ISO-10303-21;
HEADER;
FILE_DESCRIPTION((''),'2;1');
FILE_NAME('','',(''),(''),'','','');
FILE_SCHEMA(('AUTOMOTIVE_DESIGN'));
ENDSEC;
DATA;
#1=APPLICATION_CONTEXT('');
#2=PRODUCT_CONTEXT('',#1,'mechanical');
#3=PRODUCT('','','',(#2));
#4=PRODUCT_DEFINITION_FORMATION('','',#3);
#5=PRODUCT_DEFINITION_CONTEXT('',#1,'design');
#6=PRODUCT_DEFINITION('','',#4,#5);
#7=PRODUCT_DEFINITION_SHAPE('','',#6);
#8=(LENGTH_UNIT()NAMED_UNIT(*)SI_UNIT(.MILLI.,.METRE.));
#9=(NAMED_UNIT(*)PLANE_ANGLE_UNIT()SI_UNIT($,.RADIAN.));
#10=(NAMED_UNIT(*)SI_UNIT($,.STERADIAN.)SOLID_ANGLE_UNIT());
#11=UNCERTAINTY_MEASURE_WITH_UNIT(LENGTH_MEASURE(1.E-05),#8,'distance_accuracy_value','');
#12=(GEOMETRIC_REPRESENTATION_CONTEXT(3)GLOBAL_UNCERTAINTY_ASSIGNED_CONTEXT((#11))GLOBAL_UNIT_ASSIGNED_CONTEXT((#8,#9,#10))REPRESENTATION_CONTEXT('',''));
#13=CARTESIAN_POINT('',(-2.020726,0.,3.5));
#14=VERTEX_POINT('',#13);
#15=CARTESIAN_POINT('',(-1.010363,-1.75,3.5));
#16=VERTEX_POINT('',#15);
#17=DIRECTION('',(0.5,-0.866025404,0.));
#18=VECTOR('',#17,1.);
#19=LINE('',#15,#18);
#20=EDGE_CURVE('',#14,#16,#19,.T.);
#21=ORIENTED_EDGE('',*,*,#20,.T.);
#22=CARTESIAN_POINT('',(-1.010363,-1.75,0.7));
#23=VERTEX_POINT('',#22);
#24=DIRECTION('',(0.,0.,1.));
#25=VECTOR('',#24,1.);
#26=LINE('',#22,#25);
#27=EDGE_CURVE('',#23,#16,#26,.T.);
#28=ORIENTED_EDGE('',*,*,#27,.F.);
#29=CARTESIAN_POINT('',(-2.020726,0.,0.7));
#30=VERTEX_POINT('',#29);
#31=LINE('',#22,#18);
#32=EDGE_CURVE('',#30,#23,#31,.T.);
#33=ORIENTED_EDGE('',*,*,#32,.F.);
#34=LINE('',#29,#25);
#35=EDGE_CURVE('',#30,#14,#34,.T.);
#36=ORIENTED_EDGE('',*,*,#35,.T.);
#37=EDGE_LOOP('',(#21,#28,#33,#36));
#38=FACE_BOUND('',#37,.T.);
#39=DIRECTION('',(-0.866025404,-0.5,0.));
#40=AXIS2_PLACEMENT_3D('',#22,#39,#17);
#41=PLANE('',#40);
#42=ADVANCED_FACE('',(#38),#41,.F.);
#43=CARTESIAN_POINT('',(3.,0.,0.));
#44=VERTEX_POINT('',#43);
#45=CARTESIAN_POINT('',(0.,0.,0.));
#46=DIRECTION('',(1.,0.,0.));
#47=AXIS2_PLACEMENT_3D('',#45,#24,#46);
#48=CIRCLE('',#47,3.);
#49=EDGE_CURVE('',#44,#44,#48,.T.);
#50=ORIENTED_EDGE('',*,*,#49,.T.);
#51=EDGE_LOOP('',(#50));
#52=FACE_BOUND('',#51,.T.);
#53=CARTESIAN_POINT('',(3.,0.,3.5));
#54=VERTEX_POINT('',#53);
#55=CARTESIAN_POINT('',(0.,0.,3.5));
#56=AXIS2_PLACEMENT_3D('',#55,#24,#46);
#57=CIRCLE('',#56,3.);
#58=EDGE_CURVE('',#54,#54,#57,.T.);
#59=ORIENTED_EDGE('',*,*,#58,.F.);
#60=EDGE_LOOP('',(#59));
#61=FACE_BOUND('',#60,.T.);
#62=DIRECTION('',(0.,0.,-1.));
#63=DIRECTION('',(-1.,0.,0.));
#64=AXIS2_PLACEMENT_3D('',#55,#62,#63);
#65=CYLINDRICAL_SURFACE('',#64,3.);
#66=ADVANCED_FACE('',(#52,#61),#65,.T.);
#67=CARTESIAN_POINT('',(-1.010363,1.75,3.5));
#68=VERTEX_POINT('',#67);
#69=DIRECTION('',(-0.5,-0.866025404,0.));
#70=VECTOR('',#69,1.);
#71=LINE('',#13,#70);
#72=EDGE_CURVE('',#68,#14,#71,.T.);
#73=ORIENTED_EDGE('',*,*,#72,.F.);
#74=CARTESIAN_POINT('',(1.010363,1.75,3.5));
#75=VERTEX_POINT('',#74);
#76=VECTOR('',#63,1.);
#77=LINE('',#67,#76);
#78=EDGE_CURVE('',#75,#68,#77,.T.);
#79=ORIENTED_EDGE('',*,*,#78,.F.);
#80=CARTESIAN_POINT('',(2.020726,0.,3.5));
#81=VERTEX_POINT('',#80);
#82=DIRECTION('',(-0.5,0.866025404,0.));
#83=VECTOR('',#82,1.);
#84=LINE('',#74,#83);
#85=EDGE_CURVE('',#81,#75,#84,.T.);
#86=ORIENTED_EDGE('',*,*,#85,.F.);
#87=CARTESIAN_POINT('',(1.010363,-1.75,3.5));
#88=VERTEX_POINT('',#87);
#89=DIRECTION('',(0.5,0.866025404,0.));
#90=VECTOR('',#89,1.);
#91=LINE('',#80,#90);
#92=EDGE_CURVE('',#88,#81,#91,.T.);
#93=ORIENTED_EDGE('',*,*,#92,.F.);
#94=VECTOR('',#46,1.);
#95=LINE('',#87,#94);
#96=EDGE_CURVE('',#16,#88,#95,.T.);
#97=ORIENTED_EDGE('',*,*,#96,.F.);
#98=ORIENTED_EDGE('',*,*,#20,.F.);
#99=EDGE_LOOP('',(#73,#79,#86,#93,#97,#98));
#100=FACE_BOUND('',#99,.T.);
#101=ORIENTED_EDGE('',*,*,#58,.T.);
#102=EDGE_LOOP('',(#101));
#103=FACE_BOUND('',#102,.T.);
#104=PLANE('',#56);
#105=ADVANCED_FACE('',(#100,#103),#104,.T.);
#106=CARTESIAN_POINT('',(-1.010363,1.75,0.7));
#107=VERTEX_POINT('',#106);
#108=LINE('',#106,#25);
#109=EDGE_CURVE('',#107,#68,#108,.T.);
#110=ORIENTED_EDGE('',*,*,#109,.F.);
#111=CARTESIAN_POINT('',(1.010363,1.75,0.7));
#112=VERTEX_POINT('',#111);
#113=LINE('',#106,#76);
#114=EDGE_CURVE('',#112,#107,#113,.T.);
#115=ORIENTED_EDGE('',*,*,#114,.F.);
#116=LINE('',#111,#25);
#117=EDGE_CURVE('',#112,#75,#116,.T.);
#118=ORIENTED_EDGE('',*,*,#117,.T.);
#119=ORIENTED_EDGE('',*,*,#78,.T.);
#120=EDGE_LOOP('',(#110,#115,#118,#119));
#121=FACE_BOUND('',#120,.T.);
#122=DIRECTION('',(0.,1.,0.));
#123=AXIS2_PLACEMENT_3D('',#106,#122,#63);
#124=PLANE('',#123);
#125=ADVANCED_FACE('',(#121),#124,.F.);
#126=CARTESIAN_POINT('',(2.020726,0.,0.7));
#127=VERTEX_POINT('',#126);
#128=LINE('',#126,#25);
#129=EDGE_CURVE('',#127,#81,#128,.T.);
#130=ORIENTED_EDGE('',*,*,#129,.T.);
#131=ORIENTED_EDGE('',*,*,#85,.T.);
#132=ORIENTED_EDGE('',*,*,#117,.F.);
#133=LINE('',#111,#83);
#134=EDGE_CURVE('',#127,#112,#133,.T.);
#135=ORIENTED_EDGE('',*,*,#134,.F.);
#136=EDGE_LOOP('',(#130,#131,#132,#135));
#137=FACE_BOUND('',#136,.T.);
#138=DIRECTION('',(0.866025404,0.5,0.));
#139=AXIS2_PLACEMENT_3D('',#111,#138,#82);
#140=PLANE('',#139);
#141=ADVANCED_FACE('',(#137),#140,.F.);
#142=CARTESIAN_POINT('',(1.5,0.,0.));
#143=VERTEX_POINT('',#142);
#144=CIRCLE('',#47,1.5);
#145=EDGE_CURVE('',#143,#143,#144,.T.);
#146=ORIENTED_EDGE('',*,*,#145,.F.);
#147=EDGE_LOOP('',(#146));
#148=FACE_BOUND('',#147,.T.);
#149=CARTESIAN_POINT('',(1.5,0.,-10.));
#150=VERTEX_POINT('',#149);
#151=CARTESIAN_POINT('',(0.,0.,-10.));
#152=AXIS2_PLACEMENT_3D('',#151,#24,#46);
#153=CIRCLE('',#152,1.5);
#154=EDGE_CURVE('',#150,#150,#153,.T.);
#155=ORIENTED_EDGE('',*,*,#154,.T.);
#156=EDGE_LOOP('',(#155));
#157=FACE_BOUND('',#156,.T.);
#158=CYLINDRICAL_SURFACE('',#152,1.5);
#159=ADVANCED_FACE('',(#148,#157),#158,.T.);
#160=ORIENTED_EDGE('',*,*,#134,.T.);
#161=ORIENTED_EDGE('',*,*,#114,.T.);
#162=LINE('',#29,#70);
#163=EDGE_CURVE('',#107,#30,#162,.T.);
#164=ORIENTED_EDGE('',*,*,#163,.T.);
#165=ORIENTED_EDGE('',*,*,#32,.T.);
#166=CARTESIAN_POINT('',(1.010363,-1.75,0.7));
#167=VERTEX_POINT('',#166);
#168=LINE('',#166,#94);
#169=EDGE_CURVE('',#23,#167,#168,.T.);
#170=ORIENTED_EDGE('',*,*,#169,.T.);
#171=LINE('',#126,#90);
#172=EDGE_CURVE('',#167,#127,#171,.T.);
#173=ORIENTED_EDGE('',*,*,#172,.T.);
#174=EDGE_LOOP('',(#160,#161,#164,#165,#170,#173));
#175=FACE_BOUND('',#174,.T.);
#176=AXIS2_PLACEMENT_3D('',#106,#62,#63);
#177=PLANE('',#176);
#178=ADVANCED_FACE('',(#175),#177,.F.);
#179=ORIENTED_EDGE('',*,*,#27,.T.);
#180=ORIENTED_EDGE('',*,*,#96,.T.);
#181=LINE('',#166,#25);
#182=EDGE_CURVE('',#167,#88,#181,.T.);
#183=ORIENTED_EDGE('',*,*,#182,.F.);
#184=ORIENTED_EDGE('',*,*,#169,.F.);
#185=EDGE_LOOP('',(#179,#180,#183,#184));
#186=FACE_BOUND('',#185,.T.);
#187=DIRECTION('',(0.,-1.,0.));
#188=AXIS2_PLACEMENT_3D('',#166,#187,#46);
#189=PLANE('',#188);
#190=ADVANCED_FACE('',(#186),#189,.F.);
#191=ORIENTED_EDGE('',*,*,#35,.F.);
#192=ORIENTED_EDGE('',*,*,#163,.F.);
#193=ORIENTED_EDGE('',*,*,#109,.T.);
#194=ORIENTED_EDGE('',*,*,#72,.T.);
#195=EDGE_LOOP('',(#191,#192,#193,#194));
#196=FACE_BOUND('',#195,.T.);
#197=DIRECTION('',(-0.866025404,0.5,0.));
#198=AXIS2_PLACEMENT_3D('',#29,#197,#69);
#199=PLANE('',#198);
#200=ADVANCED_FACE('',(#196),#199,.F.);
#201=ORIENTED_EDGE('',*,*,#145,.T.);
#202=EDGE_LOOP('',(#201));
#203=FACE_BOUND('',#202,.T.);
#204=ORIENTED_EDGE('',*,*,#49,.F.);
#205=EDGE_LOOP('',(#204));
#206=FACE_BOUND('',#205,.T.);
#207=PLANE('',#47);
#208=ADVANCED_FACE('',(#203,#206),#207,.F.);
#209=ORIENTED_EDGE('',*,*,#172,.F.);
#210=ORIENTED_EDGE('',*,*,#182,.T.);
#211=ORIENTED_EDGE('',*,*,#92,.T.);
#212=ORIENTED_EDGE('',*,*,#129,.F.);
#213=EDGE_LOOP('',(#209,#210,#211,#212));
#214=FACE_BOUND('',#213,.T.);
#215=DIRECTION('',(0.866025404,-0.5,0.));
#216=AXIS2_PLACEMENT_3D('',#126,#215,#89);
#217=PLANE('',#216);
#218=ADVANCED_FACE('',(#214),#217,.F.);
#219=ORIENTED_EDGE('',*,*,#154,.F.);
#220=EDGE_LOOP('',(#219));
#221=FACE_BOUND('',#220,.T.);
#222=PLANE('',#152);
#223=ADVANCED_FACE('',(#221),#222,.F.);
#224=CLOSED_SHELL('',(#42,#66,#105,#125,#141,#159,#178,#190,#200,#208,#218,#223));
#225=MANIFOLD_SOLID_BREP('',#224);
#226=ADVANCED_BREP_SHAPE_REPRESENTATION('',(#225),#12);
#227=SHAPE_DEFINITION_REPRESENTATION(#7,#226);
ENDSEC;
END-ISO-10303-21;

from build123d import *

# Parameters (mm, degrees)
SKETCH1_R                   = 3
HEAD_BOSS_EXTRUDE1_DEPTH    = 3.5
HEAD_HEX_CUT_EXTRUDE1_DEPTH = 2.8
SKETCH2_R                   = 1.5
SCREW_BOSS_EXTRUDE2_DEPTH   = 10


with BuildPart() as part:
    # Sketch1 → Head Boss-Extrude1 (new body)
    with BuildSketch(Plane.XY):
        Circle(SKETCH1_R)
    extrude(amount=HEAD_BOSS_EXTRUDE1_DEPTH)

    # Sketch3 → Head Hex Cut-Extrude1 (cut)
    with BuildSketch(Plane.XY.offset(3.5)):
        Polygon((-1.010362971, 1.75), (1.010362971, 1.75), (2.020725942, 0), (1.010362971, -1.75), (-1.010362971, -1.75), (-2.020725942, 0), align=None)
    extrude(amount=-HEAD_HEX_CUT_EXTRUDE1_DEPTH, mode=Mode.SUBTRACT)

    # Sketch2 → Screw Boss-Extrude2 (add)
    with BuildSketch(Plane.XY):
        Circle(SKETCH2_R)
    extrude(amount=-SCREW_BOSS_EXTRUDE2_DEPTH)


solid = part.part
